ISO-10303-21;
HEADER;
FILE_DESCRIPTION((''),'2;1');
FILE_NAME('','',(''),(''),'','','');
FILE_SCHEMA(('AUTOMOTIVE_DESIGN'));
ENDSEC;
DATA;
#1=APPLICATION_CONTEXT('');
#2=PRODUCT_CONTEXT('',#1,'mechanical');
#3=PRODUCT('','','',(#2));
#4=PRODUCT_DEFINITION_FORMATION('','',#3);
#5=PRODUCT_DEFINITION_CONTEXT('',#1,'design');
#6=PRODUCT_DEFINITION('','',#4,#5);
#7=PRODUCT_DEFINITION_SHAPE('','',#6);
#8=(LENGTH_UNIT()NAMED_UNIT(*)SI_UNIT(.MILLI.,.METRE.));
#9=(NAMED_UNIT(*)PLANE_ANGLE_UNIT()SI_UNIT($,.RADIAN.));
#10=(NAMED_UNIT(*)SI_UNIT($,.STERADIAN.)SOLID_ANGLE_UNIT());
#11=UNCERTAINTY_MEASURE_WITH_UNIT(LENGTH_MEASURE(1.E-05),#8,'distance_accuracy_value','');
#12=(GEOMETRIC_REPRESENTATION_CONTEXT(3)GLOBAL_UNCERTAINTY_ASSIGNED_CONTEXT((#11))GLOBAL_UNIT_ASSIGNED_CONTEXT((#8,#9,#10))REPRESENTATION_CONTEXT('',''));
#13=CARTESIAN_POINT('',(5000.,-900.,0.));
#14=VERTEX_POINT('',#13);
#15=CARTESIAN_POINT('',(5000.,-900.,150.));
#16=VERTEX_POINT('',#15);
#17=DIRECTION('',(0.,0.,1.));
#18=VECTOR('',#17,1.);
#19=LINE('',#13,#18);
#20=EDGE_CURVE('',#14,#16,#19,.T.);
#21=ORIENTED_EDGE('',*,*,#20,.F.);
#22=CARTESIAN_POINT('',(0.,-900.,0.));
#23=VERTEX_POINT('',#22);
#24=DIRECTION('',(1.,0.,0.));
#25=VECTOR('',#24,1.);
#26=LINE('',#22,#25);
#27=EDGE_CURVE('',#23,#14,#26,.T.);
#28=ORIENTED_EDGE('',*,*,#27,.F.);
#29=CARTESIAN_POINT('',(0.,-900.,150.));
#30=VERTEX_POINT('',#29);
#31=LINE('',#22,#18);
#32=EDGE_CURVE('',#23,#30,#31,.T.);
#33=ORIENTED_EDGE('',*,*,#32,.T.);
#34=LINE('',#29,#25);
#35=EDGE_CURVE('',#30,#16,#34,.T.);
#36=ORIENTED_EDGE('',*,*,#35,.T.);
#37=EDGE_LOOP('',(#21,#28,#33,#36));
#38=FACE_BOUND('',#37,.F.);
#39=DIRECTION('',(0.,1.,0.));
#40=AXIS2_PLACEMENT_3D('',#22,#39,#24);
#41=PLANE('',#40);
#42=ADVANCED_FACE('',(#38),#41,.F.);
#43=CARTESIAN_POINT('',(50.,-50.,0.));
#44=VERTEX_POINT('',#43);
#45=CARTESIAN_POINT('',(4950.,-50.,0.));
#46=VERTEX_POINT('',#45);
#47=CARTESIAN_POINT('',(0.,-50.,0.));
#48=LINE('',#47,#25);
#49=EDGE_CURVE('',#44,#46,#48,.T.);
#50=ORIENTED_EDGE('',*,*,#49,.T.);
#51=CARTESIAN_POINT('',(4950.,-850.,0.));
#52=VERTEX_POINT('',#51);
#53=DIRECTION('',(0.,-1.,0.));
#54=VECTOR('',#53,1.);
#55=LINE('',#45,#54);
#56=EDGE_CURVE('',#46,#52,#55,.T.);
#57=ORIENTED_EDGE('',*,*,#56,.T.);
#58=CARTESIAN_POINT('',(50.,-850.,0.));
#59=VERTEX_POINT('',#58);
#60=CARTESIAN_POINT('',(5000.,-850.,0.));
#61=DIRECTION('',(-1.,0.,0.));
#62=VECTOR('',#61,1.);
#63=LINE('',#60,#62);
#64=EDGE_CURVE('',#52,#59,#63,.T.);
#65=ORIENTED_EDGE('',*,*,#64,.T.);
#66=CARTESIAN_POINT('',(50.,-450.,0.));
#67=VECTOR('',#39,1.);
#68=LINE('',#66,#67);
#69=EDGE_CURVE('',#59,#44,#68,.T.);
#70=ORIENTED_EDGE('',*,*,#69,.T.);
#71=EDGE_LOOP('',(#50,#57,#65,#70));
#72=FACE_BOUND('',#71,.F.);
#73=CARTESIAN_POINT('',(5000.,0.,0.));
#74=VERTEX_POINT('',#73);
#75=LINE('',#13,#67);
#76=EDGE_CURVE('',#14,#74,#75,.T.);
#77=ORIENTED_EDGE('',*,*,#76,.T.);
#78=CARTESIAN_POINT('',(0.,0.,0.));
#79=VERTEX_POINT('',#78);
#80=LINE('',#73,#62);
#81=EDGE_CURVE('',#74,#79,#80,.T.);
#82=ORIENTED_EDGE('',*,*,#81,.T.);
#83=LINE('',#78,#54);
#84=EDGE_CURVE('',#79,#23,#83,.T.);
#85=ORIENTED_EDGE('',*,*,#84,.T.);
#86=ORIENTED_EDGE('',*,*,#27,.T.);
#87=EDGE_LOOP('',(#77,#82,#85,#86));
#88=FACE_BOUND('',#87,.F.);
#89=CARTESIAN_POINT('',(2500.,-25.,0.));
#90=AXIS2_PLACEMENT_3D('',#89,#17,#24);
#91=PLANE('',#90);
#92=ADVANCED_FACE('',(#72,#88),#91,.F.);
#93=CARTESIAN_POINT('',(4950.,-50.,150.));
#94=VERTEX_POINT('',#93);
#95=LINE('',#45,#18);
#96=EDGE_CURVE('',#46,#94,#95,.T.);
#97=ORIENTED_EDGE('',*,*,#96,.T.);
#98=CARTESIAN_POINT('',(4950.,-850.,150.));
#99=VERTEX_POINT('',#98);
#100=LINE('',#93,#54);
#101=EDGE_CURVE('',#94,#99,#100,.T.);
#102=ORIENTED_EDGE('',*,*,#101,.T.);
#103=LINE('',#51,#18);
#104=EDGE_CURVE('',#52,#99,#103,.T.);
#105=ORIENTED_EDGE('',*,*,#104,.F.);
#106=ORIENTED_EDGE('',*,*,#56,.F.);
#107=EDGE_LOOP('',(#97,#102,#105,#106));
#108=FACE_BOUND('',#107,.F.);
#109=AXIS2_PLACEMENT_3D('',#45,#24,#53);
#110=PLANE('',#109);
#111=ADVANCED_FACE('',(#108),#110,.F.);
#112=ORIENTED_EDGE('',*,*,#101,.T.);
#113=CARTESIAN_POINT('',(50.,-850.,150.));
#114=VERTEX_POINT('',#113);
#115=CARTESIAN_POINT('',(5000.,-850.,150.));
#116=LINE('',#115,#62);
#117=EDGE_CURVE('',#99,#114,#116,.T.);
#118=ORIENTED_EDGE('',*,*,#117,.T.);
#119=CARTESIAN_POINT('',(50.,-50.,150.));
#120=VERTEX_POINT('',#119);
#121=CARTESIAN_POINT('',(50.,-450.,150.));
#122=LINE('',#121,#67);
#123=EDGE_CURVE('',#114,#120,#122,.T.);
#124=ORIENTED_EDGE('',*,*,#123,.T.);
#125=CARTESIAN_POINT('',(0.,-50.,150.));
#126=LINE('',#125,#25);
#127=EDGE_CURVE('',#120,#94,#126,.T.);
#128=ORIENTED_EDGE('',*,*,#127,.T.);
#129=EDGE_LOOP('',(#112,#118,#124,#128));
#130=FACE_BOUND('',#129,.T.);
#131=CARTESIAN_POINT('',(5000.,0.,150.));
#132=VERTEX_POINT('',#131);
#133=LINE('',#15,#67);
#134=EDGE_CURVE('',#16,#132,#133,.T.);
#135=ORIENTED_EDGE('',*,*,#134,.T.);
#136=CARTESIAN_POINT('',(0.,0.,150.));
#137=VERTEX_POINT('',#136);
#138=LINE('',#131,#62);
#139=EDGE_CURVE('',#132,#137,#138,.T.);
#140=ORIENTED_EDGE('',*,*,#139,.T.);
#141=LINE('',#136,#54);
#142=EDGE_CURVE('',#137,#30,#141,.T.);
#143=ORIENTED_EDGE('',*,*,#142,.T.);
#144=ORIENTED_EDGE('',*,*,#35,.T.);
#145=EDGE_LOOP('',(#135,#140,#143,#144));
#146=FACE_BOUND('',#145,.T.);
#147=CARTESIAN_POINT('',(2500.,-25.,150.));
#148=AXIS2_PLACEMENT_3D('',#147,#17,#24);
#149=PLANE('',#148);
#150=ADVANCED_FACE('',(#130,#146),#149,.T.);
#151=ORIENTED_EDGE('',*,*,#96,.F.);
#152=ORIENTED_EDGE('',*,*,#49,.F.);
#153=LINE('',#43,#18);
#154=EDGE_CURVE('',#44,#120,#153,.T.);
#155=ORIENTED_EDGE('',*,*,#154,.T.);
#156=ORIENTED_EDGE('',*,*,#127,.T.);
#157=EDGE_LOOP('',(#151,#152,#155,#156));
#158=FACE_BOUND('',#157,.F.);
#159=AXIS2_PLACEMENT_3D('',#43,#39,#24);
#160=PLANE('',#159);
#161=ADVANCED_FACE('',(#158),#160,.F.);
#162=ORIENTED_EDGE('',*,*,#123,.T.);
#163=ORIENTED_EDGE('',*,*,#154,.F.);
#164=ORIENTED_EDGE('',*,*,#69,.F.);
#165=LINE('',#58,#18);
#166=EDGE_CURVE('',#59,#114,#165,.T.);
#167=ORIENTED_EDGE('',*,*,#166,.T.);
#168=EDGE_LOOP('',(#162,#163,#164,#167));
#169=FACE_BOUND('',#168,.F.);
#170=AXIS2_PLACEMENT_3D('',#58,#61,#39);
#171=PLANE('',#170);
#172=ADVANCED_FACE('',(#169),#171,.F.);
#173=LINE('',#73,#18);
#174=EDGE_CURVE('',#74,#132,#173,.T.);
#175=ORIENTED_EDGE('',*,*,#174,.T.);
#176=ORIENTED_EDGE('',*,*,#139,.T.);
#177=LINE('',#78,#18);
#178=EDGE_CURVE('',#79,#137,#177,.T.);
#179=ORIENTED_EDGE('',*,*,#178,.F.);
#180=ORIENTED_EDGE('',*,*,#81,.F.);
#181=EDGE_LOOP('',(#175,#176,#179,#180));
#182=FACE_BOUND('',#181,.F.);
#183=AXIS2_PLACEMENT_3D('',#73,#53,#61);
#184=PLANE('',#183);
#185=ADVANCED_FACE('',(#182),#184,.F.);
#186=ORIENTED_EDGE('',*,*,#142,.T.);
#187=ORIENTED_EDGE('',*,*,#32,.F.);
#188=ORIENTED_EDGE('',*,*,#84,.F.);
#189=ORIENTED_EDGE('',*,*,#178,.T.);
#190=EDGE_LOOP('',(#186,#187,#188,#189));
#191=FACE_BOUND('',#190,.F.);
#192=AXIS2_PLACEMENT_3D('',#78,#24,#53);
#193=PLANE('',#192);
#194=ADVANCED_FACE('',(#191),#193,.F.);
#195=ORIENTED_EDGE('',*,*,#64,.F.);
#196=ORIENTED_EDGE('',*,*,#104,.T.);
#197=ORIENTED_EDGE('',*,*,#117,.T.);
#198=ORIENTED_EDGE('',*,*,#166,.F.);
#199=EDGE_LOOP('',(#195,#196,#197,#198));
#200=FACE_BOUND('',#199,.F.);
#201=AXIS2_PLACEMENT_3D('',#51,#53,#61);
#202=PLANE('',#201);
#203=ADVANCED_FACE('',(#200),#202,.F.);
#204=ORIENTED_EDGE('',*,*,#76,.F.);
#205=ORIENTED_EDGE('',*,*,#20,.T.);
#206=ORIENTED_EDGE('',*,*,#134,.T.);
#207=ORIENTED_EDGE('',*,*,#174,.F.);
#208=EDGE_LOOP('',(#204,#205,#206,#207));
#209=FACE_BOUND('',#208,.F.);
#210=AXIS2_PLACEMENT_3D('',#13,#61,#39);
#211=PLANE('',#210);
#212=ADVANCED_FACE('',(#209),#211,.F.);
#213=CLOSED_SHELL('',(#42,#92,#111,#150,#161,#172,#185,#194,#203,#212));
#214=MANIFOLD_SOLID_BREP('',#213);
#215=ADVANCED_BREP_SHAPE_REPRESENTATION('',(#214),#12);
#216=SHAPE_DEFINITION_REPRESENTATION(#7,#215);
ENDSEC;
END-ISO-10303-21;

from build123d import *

# Parameters (mm, degrees)
F0_W     = 50
F0_H     = 800
F1_DEPTH = 150


with BuildPart() as f1:
    # F0 (on Top) → F1 (new body)
    with BuildSketch(Plane.XY):
        Polygon((5000, 0), (0, 0), (0, -50), (50, -50), (4950, -50), (5000, -50), align=None)
        with Locations((25, -450)):
            Rectangle(F0_W, F0_H)
        Polygon((50, -850), (0, -850), (0, -900), (5000, -900), (5000, -850), (4950, -850), align=None)
        Polygon((5000, -850), (5000, -50), (4950, -50), (4950, -450), (4950, -500), (4950, -850), align=None)
    extrude(amount=F1_DEPTH)


solid = f1.part
